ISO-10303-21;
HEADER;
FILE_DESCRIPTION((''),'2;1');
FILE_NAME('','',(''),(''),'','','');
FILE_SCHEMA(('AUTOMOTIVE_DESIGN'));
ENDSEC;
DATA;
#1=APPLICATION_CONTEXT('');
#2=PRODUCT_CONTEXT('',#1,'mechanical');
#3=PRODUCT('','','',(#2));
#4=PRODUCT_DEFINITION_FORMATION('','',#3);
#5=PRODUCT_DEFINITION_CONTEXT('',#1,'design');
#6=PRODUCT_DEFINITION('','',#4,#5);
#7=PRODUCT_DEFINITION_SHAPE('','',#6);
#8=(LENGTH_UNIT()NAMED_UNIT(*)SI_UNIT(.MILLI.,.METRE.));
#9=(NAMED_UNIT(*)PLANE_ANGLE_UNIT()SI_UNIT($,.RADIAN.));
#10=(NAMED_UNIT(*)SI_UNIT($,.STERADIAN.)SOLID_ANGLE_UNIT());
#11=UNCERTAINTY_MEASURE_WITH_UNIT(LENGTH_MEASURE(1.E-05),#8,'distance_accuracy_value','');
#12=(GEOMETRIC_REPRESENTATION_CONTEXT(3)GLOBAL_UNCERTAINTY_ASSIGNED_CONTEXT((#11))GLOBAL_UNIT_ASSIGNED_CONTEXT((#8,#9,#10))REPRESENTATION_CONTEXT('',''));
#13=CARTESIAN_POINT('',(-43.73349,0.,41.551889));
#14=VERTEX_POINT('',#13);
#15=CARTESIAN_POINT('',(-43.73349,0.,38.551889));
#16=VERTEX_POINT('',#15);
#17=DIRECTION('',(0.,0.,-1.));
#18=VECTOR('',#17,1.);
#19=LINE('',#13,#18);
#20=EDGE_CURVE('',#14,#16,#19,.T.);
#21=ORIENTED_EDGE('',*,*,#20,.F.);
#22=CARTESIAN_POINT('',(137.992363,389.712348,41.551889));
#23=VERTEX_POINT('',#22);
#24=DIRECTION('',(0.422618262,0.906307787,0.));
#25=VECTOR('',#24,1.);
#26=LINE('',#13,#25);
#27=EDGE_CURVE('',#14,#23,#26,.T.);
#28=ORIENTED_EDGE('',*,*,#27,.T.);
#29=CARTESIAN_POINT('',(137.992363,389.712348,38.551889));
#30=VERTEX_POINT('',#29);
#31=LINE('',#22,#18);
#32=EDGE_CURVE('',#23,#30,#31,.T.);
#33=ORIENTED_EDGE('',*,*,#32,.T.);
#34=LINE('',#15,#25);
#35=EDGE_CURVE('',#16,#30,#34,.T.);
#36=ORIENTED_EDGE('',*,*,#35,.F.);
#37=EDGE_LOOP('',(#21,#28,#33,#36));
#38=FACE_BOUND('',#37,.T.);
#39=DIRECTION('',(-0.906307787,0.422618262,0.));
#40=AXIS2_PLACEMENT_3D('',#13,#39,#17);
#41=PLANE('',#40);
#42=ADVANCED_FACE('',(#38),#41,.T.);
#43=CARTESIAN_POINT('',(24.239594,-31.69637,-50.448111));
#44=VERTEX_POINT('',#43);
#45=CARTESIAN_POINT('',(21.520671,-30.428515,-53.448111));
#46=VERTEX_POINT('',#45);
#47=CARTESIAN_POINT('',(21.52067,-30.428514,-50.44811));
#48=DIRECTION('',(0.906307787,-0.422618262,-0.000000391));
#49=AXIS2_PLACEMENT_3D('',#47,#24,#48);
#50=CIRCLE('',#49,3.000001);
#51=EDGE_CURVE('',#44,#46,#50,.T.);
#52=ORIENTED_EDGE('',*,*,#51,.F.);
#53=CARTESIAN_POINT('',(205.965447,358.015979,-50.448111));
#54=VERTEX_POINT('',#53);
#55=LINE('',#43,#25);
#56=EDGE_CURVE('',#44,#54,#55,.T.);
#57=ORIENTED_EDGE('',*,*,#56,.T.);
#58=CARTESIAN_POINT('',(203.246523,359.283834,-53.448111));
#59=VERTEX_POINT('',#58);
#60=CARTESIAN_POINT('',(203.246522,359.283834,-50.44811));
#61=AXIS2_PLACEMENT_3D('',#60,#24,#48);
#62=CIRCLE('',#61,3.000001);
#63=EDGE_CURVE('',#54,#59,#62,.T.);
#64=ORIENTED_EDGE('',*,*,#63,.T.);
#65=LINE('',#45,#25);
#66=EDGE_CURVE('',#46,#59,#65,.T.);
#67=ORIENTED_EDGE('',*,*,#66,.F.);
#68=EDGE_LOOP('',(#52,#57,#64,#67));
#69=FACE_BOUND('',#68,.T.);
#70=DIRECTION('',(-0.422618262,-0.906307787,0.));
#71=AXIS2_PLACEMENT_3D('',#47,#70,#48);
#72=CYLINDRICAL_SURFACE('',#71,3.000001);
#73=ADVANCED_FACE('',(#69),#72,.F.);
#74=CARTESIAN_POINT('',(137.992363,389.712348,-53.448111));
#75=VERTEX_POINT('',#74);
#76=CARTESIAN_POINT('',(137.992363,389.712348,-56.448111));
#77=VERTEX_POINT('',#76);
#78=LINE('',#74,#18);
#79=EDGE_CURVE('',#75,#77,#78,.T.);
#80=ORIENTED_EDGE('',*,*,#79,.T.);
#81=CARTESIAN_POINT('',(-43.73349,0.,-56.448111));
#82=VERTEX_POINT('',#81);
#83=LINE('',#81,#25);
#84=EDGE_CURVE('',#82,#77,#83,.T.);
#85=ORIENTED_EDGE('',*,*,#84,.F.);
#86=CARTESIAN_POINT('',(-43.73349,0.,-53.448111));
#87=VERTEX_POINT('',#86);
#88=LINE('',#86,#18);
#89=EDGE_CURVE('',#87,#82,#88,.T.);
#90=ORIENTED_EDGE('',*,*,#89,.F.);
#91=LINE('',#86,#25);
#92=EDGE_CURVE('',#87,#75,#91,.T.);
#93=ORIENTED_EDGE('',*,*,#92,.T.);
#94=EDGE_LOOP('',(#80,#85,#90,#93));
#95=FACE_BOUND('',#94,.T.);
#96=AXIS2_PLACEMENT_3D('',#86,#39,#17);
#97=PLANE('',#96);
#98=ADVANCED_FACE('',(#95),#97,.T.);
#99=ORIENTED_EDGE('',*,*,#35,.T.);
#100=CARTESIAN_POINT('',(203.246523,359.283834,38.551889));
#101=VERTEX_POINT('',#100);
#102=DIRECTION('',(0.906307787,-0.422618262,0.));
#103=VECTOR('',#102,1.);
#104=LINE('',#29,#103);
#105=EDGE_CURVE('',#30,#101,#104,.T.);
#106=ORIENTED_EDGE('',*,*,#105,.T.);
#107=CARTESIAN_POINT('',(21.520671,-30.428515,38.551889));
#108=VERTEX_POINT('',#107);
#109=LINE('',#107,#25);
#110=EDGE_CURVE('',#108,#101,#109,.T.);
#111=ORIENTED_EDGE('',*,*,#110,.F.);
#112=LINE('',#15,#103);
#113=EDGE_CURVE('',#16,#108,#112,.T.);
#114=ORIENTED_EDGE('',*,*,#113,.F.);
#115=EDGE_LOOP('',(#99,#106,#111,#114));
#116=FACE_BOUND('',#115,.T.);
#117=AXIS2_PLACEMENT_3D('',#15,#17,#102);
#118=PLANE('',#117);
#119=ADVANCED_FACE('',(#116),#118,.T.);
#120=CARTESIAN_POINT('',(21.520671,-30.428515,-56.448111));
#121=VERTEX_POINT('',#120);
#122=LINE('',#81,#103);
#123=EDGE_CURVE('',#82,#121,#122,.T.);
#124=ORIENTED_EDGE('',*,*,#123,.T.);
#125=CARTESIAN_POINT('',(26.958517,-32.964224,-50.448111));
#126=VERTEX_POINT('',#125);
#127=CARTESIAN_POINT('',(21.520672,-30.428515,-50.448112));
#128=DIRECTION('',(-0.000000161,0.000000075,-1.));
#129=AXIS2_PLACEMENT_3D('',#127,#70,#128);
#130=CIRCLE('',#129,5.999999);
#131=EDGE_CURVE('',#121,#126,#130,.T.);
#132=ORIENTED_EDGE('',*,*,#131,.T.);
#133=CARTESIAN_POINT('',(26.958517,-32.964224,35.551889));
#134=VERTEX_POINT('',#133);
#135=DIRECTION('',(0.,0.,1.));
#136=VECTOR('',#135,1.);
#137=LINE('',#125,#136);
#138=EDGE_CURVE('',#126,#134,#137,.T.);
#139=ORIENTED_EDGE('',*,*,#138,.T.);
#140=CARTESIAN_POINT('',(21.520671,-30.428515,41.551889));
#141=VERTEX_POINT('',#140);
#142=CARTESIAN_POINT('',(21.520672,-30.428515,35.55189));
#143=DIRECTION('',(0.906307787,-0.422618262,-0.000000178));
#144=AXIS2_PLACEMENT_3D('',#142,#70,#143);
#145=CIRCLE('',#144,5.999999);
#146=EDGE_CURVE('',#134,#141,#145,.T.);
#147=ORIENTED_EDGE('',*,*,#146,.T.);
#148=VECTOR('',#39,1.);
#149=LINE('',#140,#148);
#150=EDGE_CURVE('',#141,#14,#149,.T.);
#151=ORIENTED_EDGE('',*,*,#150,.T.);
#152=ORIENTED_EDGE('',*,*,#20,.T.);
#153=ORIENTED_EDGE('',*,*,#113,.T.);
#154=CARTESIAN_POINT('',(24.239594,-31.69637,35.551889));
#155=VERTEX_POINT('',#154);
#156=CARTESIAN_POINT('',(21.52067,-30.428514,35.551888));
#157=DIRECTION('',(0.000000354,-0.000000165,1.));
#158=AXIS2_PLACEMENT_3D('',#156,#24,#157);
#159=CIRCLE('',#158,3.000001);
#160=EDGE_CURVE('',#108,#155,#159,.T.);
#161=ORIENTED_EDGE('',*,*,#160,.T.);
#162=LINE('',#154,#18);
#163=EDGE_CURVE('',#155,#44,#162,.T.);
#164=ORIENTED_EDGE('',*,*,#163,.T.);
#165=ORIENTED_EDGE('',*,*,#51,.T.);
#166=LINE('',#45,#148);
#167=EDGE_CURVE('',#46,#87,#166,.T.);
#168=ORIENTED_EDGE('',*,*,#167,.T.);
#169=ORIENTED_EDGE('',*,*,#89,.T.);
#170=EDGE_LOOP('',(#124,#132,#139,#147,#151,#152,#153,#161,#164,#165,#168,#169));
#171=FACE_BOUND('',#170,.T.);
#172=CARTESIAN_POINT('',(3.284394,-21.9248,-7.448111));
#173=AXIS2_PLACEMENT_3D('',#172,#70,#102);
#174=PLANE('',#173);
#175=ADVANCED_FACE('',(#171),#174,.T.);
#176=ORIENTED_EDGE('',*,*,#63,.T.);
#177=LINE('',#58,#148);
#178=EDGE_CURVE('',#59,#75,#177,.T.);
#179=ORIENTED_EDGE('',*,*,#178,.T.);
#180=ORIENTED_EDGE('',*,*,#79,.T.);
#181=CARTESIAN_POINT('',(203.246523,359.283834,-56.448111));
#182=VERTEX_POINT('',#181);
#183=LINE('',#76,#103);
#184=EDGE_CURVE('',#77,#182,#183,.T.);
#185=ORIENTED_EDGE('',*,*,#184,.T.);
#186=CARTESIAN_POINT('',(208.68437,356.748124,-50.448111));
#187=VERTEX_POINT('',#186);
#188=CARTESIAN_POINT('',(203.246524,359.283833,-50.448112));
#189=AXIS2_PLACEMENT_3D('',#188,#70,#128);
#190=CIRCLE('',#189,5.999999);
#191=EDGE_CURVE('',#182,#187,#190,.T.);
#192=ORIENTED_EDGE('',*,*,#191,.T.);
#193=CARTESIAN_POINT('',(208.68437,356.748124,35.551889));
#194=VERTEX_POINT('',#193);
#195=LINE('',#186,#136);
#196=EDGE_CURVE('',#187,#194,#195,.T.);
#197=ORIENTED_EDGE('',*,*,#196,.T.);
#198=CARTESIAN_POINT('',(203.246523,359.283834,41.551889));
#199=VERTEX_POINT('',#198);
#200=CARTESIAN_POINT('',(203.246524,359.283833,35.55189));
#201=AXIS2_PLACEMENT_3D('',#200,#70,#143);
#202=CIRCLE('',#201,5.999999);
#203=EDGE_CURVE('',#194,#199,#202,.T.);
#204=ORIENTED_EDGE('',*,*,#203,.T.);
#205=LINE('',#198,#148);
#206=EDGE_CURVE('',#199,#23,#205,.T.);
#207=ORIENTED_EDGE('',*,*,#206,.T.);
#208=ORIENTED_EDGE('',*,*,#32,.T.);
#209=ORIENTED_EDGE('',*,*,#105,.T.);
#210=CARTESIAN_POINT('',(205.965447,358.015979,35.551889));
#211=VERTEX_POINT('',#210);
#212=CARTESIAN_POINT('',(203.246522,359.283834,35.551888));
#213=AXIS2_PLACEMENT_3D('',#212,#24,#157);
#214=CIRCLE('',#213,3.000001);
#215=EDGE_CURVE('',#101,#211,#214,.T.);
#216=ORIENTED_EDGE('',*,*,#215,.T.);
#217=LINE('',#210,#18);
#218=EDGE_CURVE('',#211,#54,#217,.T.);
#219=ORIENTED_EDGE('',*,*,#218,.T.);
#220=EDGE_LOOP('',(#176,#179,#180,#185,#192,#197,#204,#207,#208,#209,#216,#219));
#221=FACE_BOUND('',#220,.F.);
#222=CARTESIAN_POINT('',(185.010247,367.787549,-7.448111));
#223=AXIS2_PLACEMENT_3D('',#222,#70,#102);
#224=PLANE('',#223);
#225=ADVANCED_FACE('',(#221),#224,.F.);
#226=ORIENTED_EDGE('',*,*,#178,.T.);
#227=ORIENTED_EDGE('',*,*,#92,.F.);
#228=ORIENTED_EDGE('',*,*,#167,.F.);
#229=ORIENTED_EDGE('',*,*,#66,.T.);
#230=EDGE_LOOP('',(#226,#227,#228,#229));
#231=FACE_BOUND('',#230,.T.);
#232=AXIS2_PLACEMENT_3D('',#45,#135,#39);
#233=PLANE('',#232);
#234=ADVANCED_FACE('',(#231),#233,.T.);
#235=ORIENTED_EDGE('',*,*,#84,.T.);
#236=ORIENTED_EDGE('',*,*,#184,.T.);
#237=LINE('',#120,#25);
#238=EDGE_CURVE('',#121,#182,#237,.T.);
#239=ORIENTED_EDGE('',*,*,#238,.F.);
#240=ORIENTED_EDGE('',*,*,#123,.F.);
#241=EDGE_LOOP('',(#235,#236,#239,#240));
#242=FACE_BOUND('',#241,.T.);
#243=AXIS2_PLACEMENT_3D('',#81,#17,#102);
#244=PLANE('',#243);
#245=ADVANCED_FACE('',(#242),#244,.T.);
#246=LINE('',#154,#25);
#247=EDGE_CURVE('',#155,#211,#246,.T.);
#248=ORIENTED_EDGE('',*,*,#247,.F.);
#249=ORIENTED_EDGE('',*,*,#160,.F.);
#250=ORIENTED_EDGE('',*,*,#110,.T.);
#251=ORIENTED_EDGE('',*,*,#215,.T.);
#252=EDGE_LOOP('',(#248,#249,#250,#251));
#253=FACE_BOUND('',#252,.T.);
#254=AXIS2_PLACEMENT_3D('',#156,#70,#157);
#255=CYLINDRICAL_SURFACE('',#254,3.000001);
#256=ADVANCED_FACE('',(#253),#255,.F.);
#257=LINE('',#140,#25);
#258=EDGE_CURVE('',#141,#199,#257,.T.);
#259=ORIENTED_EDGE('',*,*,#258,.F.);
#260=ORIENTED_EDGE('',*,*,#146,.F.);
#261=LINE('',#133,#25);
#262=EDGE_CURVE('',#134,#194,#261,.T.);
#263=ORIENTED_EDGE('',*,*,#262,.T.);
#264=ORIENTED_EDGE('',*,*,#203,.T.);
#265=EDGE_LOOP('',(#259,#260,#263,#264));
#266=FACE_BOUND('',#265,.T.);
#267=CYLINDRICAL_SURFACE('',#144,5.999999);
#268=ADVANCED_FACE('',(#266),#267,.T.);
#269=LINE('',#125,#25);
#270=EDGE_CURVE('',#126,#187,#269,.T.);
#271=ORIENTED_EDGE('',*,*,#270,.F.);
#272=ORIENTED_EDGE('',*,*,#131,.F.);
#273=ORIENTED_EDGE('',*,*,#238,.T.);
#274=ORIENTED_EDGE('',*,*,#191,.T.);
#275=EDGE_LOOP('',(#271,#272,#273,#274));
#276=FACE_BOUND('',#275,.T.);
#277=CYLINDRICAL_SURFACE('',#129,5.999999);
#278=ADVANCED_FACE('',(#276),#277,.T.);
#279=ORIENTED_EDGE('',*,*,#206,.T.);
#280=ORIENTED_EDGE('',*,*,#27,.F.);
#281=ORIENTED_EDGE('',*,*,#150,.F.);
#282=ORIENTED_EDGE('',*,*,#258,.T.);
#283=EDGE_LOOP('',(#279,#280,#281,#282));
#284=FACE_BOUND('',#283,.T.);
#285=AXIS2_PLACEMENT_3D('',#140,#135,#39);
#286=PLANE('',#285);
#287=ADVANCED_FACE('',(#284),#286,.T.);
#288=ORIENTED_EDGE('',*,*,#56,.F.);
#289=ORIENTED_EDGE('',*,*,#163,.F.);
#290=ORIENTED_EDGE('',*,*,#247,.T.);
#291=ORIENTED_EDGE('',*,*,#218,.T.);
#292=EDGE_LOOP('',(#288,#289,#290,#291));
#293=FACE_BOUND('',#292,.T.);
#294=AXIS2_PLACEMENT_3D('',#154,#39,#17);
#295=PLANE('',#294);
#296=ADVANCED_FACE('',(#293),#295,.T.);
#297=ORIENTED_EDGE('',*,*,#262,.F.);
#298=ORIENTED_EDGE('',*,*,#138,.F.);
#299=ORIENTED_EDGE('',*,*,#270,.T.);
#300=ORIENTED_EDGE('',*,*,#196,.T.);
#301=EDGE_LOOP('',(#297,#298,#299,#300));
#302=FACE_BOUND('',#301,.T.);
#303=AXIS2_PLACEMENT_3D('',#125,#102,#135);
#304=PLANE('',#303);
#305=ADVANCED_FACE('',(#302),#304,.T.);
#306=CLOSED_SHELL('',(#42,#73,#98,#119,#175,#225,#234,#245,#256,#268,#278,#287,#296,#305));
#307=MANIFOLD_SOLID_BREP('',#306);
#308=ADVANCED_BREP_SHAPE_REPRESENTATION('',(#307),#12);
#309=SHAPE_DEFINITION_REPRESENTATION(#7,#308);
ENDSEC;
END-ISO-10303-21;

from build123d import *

# Parameters (mm, degrees)
F1_DEPTH = 430
F2_ANGLE = 25


with BuildPart() as f1:
    # F0 (on Front) → F1 (new body)
    with BuildSketch(Plane.XZ):
        with BuildLine():
            Line((-43.73349, 41.551889), (-43.73349, 38.551889))
            Line((-43.73349, 38.551889), (28.26651, 38.551889))
            ThreePointArc((28.26651, 38.551889), (30.38783, 37.673209), (31.26651, 35.551889))
            Line((31.26651, 35.551889), (31.26651, -50.448111))
            ThreePointArc((31.26651, -50.448111), (30.38783, -52.569431), (28.26651, -53.448111))
            Line((28.26651, -53.448111), (-43.73349, -53.448111))
            Line((-43.73349, -53.448111), (-43.73349, -56.448111))
            Line((-43.73349, -56.448111), (28.26651, -56.448111))
            ThreePointArc((28.26651, -56.448111), (32.509151, -54.690752), (34.26651, -50.448111))
            Line((34.26651, -50.448111), (34.26651, 35.551889))
            ThreePointArc((34.26651, 35.551889), (32.509151, 39.79453), (28.26651, 41.551889))
            Line((28.26651, 41.551889), (-43.73349, 41.551889))
        make_face()
    extrude(amount=-F1_DEPTH)


with BuildPart() as f1_1:
    # F2: moved
    add(f1.part.rotate(Axis((-43.73349, 0, 40.051889), (0, 0, -1)), F2_ANGLE))


solid = f1_1.part
